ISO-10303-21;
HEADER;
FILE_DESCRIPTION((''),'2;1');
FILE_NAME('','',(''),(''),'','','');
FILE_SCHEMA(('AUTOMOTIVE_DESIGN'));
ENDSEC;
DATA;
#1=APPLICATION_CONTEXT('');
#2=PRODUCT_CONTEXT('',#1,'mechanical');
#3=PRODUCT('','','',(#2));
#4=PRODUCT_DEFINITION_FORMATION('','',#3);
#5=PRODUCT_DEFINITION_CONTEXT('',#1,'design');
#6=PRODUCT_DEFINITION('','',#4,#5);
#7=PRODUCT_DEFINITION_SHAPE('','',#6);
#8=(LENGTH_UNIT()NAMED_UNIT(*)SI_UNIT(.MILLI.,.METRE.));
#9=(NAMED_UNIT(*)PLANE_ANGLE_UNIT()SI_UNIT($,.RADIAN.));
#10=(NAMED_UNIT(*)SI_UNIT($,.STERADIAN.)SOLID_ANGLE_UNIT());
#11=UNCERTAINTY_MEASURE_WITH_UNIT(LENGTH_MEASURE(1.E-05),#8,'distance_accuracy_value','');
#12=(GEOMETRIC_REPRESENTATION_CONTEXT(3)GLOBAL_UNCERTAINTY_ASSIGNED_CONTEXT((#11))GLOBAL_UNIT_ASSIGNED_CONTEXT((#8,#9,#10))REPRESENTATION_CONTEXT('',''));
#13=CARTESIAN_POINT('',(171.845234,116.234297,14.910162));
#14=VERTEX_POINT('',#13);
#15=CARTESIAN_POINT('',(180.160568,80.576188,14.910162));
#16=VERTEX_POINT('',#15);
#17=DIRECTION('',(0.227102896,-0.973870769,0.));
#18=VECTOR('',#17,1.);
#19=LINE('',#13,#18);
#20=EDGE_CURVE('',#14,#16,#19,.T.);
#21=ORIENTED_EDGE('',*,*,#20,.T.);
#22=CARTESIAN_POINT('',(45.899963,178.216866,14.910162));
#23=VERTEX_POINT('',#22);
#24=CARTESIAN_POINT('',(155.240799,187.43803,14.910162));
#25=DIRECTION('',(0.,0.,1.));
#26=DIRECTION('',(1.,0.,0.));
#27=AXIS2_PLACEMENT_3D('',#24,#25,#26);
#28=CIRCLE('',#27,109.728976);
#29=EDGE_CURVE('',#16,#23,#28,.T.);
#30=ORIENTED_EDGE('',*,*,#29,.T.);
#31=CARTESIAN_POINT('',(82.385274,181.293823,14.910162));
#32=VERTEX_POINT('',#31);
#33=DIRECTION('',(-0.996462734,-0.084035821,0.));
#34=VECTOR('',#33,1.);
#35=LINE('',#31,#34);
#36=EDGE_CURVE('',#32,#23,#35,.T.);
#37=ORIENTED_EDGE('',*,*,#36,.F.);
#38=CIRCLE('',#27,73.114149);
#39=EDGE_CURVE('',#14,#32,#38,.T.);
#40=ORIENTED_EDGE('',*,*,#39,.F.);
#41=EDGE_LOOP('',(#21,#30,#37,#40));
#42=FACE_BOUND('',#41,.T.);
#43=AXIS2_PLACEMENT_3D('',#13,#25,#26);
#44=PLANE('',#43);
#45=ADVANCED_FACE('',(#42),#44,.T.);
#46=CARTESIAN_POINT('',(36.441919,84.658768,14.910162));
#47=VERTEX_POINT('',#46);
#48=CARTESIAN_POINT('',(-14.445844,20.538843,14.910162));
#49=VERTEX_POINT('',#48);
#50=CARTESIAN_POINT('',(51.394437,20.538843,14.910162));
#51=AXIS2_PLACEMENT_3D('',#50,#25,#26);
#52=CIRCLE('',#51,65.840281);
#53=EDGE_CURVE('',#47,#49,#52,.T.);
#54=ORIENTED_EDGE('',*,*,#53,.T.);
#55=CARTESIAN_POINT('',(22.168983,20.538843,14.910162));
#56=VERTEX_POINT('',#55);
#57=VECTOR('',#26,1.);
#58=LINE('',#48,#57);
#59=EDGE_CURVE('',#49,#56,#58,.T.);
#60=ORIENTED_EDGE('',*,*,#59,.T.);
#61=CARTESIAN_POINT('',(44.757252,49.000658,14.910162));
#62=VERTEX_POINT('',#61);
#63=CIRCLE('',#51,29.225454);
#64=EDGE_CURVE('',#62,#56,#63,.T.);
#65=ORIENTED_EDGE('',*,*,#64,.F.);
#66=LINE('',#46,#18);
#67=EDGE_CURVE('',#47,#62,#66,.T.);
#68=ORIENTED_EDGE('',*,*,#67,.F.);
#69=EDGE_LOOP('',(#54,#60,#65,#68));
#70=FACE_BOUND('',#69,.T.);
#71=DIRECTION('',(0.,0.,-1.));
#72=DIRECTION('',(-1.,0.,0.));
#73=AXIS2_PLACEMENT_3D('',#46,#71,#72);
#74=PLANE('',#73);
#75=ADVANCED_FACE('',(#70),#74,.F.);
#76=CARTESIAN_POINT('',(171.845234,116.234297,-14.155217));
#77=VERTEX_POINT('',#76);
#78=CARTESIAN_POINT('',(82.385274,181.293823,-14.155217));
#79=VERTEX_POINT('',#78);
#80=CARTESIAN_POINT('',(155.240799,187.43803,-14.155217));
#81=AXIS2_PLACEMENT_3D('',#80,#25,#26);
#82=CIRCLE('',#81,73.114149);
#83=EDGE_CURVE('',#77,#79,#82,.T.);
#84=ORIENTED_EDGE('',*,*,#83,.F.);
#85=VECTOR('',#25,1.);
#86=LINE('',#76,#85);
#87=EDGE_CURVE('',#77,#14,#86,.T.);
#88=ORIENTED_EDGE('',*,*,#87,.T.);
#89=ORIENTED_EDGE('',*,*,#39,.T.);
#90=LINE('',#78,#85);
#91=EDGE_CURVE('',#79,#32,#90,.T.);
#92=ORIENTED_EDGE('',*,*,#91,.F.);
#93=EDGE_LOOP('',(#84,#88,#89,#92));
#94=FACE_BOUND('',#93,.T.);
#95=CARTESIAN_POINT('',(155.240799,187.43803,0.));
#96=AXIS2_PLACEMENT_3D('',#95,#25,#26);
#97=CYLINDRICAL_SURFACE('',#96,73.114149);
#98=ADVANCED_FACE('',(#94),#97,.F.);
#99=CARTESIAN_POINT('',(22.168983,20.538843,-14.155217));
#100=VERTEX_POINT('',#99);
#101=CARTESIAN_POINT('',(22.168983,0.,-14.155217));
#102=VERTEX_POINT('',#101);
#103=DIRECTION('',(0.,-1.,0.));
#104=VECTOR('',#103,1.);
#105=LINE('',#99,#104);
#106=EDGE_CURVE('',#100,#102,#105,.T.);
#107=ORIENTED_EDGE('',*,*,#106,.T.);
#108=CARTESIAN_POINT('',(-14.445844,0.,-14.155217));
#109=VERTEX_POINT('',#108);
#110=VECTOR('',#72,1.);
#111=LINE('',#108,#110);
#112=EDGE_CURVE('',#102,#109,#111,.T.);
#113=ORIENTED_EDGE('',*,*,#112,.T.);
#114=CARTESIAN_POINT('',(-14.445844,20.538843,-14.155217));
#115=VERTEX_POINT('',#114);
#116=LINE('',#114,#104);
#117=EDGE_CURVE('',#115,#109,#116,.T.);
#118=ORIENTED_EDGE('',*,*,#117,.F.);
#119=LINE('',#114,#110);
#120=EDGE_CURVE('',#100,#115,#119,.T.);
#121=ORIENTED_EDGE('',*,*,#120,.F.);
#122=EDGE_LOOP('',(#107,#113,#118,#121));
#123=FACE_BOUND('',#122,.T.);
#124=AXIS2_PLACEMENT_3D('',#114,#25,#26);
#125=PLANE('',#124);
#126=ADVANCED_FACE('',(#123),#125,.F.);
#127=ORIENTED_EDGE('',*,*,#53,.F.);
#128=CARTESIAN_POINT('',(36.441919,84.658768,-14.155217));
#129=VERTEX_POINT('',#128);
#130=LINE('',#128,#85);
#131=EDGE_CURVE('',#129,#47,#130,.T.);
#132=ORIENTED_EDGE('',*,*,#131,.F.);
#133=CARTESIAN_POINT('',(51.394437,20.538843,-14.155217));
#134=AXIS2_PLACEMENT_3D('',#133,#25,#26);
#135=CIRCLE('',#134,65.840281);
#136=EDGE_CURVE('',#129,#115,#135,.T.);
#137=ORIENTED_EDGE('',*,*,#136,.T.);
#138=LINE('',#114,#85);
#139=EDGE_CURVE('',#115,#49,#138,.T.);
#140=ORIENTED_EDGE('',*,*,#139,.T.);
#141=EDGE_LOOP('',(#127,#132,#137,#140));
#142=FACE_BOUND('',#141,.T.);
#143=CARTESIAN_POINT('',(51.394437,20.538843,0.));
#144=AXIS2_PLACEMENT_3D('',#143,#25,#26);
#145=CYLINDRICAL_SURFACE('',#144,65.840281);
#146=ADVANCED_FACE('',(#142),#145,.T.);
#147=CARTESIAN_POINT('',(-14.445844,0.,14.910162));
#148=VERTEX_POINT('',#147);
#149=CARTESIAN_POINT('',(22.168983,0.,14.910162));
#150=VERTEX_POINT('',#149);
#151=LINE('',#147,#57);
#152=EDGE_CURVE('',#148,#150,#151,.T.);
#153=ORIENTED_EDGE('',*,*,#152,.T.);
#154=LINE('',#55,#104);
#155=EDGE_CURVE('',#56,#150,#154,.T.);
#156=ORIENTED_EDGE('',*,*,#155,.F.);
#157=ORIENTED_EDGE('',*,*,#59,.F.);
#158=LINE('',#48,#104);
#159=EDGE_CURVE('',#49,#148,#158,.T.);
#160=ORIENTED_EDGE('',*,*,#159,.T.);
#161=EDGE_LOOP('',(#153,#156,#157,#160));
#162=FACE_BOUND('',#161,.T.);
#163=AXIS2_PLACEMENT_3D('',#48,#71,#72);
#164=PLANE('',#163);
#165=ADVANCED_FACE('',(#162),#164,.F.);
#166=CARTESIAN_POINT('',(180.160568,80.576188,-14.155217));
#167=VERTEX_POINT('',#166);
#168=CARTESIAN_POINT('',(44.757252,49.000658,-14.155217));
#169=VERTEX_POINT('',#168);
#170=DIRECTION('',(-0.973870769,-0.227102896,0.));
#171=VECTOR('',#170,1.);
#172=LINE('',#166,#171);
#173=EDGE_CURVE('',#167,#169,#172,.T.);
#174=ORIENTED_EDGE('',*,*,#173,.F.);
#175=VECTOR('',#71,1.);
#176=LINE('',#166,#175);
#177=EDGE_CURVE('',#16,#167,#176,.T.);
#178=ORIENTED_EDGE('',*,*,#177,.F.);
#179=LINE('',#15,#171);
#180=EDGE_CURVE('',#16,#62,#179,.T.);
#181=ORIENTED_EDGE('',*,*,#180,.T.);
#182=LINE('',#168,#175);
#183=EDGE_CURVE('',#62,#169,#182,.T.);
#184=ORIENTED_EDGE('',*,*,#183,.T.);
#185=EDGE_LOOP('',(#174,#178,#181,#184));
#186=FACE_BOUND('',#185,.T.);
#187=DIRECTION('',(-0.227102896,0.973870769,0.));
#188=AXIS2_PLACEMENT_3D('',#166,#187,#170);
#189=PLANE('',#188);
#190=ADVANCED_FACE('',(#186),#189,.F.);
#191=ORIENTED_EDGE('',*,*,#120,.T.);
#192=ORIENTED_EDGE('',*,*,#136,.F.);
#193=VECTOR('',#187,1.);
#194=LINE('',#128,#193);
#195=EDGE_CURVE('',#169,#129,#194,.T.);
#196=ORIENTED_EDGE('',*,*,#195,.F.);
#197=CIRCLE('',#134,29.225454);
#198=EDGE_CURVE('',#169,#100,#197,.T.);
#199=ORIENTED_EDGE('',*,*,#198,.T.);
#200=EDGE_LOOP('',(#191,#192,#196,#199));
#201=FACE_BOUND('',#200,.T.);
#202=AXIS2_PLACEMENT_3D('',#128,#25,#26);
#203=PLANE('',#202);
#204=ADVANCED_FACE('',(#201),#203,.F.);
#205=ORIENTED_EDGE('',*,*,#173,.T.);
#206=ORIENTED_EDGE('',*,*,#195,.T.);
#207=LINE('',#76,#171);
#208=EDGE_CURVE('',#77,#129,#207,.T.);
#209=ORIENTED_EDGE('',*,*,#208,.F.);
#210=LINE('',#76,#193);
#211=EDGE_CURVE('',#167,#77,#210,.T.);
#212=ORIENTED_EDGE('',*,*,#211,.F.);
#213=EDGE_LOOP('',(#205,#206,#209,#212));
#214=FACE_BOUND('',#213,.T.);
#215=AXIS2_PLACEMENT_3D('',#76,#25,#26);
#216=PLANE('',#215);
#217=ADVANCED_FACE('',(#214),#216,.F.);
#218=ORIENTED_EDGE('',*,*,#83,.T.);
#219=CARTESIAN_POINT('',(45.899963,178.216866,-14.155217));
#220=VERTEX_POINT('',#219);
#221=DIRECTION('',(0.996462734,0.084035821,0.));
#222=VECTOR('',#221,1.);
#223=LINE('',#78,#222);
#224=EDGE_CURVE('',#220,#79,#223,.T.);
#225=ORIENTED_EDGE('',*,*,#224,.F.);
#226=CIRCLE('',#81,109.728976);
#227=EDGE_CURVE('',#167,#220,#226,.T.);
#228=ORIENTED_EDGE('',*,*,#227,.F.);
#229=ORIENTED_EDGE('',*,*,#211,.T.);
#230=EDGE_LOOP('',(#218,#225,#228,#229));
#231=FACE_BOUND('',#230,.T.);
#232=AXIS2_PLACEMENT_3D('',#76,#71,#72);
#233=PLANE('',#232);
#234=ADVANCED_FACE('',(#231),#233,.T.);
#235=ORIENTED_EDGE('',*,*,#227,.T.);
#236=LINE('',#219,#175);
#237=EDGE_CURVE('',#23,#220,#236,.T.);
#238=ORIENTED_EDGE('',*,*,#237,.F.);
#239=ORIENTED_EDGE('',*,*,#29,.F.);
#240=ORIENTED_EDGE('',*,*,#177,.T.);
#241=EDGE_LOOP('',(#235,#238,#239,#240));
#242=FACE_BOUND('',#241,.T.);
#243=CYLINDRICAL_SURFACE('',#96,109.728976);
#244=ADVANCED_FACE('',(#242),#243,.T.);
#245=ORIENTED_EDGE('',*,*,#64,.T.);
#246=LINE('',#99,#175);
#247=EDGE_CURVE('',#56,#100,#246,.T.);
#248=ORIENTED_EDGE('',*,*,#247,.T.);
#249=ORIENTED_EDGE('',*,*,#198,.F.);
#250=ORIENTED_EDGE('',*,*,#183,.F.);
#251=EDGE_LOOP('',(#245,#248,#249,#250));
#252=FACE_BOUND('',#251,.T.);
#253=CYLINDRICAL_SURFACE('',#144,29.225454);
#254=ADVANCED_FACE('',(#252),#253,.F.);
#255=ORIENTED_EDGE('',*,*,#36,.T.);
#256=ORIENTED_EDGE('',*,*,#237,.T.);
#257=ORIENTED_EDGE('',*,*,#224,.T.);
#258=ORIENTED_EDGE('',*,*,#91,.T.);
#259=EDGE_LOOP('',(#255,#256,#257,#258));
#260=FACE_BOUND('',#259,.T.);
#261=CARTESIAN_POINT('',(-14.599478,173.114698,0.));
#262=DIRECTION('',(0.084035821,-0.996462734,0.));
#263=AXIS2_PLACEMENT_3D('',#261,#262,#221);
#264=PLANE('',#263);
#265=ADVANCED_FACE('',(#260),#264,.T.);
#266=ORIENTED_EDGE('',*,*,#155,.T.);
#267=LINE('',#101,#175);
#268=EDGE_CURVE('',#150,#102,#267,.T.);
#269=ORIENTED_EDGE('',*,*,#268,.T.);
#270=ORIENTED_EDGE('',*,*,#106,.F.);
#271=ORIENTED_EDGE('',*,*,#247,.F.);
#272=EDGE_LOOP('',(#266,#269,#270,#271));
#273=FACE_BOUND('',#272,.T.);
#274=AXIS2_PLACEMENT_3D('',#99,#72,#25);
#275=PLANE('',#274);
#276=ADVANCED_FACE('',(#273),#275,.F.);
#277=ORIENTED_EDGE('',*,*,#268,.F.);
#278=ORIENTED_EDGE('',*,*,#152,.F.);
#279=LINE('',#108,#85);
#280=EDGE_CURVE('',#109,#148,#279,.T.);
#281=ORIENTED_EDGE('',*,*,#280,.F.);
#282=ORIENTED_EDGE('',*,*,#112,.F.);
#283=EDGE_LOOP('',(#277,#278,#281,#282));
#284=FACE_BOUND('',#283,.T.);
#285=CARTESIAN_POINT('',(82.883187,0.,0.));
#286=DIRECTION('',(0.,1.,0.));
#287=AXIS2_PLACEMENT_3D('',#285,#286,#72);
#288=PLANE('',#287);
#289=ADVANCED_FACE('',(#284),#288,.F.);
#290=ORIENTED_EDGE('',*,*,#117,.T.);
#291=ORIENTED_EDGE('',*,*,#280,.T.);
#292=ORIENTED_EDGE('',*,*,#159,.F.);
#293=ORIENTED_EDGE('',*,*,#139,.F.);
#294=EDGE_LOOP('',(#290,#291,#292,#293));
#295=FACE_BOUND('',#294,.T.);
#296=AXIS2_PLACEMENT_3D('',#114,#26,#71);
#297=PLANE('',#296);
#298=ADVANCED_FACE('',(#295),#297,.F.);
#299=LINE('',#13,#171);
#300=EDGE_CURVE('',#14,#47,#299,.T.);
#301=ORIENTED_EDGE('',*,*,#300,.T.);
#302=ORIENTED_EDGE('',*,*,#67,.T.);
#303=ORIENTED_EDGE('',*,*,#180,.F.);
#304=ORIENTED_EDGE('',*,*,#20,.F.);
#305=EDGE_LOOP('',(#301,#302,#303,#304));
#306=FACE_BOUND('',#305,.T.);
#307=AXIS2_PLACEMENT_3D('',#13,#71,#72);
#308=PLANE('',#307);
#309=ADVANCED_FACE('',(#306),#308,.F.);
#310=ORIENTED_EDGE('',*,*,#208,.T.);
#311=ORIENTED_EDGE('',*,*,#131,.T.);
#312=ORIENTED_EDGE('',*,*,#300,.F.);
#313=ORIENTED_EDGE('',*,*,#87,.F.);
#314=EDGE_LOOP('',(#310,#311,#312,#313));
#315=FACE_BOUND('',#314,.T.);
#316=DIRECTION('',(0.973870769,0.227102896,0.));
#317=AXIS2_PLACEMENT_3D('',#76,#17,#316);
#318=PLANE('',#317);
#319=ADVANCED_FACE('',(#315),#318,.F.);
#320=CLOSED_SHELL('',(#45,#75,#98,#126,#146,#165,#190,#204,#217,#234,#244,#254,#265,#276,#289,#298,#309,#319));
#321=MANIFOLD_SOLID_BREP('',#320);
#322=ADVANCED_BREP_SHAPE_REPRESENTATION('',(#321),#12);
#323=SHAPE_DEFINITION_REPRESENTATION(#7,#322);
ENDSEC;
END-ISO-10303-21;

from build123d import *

# Parameters (mm, degrees)
SKETCH3_W = 36.614827086
SKETCH3_H = 29.065378202


with BuildPart() as part:
    # Sweep2: sweep along a path in Sketch2
    with BuildLine(Plane.XY) as sweep2_path:
        Line((0, 0), (0, 20.538843169))
        ThreePointArc((0, 20.538843169), (11.13741863, 52.488187839), (39.72261147, 70.590382981))
        Line((39.72261147, 70.590382981), (175.125927182, 102.165912388))
        ThreePointArc((175.125927182, 102.165912388), (206.739936817, 258.25180841), (67.990529181, 180.079854215))
    # Sketch3 → Sweep2 (sweep)
    with BuildSketch(Plane(origin=(67.990529181, 180.079854215, 0), x_dir=(-0.9964627342854863, -0.08403582081643779, 0), z_dir=(0.08403582081643779, -0.9964627342854864, 0))):
        with Locations((3.861569828, -0.377472444)):
            Rectangle(SKETCH3_W, SKETCH3_H)
    sweep(path=sweep2_path.line)


solid = part.part
